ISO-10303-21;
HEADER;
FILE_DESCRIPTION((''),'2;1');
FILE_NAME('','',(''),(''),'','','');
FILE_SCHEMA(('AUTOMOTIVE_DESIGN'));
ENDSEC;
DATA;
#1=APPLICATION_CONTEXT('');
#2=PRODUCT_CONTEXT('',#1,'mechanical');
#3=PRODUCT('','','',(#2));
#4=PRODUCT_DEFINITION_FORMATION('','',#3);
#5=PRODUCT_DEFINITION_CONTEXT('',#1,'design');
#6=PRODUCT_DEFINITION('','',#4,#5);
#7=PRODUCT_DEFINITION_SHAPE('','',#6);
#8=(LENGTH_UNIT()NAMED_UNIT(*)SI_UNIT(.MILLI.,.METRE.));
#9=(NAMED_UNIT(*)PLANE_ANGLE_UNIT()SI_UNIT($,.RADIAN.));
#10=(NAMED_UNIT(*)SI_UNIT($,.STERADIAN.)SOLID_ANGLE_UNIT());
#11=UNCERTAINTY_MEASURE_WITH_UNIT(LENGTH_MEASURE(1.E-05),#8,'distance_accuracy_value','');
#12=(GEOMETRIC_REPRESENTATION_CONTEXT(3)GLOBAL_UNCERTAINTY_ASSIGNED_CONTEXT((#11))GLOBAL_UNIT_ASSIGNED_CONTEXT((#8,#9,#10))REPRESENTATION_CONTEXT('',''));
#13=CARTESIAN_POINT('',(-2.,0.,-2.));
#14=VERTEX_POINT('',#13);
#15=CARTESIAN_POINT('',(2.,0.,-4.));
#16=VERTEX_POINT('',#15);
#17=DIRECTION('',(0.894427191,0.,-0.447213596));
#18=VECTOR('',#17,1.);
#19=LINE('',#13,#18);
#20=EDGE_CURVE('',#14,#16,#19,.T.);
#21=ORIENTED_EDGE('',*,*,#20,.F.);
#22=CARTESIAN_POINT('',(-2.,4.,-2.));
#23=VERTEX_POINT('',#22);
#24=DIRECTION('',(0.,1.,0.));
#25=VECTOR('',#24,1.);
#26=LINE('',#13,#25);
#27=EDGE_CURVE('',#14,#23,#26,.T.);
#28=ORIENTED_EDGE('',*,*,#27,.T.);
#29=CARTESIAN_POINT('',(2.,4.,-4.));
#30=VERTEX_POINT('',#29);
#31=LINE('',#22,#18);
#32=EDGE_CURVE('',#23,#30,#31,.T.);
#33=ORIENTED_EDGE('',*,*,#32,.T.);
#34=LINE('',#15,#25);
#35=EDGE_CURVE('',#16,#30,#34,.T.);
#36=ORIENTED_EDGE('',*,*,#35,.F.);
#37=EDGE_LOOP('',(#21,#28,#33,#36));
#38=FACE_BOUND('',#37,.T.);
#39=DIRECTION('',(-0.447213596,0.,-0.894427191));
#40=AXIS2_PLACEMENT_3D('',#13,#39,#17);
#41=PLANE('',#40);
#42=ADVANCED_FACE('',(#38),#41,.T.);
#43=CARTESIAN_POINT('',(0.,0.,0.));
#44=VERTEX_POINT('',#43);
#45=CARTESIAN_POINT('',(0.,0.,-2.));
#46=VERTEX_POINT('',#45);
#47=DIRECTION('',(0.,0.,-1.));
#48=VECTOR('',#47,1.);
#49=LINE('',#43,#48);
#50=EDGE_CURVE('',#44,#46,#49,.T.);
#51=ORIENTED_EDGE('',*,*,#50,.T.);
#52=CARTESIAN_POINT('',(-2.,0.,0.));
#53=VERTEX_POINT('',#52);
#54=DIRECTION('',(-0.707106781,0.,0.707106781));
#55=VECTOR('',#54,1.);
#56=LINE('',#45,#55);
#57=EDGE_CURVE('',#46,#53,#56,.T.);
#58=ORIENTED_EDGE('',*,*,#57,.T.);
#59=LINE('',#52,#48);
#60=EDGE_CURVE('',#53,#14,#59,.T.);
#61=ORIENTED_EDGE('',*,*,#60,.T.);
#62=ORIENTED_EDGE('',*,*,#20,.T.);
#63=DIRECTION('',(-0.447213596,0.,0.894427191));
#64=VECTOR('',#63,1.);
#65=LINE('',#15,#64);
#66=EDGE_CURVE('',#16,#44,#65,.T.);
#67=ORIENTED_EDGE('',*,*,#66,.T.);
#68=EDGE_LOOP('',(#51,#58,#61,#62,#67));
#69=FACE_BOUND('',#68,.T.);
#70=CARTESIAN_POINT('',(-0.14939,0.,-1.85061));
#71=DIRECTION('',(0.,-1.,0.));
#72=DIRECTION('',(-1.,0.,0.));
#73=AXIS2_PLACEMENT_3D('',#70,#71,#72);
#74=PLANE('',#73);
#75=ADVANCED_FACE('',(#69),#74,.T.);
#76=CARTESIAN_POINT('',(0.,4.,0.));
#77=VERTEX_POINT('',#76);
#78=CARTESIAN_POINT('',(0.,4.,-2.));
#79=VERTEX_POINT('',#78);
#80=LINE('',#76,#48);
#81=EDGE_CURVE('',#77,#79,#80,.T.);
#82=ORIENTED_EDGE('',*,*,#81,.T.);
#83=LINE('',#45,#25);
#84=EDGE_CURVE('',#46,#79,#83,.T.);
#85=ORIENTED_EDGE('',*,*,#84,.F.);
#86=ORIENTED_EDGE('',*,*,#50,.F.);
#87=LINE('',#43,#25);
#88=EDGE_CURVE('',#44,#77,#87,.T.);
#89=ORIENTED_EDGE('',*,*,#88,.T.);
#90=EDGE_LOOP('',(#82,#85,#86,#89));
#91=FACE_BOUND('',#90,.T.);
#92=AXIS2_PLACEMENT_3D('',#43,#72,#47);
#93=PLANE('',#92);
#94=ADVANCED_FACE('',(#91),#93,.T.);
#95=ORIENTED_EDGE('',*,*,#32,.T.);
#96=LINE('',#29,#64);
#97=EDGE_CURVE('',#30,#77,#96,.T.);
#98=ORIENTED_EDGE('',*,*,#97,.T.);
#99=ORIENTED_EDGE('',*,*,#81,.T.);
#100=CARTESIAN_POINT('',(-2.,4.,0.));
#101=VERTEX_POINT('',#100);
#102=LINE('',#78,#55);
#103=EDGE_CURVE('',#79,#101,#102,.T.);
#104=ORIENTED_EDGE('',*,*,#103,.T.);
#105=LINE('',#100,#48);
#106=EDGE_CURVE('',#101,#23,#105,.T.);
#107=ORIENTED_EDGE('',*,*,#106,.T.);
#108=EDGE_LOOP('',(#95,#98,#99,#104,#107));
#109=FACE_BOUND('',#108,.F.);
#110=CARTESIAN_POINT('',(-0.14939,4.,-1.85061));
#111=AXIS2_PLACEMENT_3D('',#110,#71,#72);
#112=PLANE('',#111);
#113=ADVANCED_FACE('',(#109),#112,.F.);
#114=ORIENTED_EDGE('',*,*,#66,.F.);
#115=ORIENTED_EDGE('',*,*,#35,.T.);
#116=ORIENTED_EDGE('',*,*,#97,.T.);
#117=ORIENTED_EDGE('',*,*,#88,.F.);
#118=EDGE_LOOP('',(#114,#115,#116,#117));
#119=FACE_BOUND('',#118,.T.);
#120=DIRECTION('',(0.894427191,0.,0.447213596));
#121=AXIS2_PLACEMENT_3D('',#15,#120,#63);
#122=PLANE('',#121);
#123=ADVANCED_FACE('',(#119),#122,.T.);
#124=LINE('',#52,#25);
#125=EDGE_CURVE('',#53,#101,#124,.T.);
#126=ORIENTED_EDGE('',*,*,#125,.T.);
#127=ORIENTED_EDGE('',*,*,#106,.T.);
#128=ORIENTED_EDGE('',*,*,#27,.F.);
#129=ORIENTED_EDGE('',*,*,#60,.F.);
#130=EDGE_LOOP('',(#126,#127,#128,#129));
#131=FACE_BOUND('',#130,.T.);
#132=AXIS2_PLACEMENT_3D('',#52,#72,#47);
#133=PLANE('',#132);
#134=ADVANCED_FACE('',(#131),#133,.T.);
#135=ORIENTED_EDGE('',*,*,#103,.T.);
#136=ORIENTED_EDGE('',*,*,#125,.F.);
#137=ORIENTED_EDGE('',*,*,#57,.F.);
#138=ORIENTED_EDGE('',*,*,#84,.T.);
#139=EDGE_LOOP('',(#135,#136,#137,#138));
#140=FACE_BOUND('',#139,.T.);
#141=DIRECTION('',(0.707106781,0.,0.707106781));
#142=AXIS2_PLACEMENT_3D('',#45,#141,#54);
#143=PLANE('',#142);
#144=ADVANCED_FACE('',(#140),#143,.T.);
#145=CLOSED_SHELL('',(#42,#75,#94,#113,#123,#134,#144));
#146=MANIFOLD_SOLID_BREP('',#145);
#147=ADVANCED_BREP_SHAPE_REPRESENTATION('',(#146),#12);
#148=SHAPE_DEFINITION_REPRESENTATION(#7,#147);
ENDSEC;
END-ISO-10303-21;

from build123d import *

# Parameters (mm, degrees)
BOSS_EXTRUDE2_DEPTH = 4


with BuildPart() as part:
    # Sketch2 → Boss-Extrude2 (new body)
    with BuildSketch(Plane(origin=(0, 0, 0), x_dir=(1, 0, 0), z_dir=(0, 1, 0))):
        Polygon((0, 0), (0, 2), (-2, 0), (-2, 2), (2, 4), align=None)
    extrude(amount=BOSS_EXTRUDE2_DEPTH)


solid = part.part
